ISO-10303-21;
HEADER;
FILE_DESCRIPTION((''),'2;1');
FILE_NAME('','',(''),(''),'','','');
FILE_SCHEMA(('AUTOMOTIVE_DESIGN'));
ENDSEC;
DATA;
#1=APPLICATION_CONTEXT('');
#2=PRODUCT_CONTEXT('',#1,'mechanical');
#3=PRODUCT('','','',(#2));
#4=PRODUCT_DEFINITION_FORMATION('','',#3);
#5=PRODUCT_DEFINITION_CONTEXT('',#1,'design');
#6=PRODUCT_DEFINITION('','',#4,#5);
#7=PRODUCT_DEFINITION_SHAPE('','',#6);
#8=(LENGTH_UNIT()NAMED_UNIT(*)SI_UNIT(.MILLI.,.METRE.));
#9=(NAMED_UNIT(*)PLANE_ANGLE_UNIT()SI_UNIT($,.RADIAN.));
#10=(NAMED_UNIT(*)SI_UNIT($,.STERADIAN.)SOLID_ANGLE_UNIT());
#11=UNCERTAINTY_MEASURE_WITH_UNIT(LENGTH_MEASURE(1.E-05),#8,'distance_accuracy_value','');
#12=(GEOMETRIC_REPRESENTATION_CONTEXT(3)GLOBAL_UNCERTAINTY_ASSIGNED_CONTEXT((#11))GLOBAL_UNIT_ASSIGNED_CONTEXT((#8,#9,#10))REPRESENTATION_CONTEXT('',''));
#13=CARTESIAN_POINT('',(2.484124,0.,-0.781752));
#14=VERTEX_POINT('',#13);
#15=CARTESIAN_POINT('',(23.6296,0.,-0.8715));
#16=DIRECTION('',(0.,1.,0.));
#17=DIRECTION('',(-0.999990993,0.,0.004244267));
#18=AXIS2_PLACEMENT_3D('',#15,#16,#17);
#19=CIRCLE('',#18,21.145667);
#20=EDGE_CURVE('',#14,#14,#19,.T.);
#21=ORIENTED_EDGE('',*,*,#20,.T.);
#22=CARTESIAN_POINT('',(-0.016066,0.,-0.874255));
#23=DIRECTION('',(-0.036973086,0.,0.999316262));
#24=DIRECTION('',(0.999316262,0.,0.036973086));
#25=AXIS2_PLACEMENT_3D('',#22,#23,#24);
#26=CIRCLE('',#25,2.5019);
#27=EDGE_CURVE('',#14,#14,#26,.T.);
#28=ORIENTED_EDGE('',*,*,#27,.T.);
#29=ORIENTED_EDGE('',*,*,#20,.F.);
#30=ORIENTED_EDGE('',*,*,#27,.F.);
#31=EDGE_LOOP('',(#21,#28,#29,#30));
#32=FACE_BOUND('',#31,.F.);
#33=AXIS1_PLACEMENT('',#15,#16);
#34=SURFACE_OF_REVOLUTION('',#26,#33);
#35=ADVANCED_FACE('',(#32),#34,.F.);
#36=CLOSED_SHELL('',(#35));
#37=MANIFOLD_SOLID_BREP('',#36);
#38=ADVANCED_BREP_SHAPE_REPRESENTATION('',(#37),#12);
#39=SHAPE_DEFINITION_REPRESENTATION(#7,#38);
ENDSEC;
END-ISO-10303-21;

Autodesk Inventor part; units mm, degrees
ref_plane "XZ Plane" through (0, 0, 0) normal (0, 1, 0) x (-1, 0, 0)
ref_plane "XY Plane" through (0, 0, 0) normal (0, 0, 1) x (1, 0, 0)
sketch "Sketch1" plane through (0, 0, 0) normal (0, 0, 1) x (1, 0, 0)
  circle A0 centre (0, 0) radius 2.5019
  dimension "d0" = 5.0038
sketch "Sketch2" plane through (0, 0, 0) normal (0, 1, 0) x (-1, 0, 0)
  circle A0 centre (-23.6296, -0.8715) radius 23.5712
  point P0 (0, 0)
  dimension "d1" = 47.1424
sweep "Sweep1" add profiles "Sketch1" path "Sketch2"
properties part number "mcdave_oring"
